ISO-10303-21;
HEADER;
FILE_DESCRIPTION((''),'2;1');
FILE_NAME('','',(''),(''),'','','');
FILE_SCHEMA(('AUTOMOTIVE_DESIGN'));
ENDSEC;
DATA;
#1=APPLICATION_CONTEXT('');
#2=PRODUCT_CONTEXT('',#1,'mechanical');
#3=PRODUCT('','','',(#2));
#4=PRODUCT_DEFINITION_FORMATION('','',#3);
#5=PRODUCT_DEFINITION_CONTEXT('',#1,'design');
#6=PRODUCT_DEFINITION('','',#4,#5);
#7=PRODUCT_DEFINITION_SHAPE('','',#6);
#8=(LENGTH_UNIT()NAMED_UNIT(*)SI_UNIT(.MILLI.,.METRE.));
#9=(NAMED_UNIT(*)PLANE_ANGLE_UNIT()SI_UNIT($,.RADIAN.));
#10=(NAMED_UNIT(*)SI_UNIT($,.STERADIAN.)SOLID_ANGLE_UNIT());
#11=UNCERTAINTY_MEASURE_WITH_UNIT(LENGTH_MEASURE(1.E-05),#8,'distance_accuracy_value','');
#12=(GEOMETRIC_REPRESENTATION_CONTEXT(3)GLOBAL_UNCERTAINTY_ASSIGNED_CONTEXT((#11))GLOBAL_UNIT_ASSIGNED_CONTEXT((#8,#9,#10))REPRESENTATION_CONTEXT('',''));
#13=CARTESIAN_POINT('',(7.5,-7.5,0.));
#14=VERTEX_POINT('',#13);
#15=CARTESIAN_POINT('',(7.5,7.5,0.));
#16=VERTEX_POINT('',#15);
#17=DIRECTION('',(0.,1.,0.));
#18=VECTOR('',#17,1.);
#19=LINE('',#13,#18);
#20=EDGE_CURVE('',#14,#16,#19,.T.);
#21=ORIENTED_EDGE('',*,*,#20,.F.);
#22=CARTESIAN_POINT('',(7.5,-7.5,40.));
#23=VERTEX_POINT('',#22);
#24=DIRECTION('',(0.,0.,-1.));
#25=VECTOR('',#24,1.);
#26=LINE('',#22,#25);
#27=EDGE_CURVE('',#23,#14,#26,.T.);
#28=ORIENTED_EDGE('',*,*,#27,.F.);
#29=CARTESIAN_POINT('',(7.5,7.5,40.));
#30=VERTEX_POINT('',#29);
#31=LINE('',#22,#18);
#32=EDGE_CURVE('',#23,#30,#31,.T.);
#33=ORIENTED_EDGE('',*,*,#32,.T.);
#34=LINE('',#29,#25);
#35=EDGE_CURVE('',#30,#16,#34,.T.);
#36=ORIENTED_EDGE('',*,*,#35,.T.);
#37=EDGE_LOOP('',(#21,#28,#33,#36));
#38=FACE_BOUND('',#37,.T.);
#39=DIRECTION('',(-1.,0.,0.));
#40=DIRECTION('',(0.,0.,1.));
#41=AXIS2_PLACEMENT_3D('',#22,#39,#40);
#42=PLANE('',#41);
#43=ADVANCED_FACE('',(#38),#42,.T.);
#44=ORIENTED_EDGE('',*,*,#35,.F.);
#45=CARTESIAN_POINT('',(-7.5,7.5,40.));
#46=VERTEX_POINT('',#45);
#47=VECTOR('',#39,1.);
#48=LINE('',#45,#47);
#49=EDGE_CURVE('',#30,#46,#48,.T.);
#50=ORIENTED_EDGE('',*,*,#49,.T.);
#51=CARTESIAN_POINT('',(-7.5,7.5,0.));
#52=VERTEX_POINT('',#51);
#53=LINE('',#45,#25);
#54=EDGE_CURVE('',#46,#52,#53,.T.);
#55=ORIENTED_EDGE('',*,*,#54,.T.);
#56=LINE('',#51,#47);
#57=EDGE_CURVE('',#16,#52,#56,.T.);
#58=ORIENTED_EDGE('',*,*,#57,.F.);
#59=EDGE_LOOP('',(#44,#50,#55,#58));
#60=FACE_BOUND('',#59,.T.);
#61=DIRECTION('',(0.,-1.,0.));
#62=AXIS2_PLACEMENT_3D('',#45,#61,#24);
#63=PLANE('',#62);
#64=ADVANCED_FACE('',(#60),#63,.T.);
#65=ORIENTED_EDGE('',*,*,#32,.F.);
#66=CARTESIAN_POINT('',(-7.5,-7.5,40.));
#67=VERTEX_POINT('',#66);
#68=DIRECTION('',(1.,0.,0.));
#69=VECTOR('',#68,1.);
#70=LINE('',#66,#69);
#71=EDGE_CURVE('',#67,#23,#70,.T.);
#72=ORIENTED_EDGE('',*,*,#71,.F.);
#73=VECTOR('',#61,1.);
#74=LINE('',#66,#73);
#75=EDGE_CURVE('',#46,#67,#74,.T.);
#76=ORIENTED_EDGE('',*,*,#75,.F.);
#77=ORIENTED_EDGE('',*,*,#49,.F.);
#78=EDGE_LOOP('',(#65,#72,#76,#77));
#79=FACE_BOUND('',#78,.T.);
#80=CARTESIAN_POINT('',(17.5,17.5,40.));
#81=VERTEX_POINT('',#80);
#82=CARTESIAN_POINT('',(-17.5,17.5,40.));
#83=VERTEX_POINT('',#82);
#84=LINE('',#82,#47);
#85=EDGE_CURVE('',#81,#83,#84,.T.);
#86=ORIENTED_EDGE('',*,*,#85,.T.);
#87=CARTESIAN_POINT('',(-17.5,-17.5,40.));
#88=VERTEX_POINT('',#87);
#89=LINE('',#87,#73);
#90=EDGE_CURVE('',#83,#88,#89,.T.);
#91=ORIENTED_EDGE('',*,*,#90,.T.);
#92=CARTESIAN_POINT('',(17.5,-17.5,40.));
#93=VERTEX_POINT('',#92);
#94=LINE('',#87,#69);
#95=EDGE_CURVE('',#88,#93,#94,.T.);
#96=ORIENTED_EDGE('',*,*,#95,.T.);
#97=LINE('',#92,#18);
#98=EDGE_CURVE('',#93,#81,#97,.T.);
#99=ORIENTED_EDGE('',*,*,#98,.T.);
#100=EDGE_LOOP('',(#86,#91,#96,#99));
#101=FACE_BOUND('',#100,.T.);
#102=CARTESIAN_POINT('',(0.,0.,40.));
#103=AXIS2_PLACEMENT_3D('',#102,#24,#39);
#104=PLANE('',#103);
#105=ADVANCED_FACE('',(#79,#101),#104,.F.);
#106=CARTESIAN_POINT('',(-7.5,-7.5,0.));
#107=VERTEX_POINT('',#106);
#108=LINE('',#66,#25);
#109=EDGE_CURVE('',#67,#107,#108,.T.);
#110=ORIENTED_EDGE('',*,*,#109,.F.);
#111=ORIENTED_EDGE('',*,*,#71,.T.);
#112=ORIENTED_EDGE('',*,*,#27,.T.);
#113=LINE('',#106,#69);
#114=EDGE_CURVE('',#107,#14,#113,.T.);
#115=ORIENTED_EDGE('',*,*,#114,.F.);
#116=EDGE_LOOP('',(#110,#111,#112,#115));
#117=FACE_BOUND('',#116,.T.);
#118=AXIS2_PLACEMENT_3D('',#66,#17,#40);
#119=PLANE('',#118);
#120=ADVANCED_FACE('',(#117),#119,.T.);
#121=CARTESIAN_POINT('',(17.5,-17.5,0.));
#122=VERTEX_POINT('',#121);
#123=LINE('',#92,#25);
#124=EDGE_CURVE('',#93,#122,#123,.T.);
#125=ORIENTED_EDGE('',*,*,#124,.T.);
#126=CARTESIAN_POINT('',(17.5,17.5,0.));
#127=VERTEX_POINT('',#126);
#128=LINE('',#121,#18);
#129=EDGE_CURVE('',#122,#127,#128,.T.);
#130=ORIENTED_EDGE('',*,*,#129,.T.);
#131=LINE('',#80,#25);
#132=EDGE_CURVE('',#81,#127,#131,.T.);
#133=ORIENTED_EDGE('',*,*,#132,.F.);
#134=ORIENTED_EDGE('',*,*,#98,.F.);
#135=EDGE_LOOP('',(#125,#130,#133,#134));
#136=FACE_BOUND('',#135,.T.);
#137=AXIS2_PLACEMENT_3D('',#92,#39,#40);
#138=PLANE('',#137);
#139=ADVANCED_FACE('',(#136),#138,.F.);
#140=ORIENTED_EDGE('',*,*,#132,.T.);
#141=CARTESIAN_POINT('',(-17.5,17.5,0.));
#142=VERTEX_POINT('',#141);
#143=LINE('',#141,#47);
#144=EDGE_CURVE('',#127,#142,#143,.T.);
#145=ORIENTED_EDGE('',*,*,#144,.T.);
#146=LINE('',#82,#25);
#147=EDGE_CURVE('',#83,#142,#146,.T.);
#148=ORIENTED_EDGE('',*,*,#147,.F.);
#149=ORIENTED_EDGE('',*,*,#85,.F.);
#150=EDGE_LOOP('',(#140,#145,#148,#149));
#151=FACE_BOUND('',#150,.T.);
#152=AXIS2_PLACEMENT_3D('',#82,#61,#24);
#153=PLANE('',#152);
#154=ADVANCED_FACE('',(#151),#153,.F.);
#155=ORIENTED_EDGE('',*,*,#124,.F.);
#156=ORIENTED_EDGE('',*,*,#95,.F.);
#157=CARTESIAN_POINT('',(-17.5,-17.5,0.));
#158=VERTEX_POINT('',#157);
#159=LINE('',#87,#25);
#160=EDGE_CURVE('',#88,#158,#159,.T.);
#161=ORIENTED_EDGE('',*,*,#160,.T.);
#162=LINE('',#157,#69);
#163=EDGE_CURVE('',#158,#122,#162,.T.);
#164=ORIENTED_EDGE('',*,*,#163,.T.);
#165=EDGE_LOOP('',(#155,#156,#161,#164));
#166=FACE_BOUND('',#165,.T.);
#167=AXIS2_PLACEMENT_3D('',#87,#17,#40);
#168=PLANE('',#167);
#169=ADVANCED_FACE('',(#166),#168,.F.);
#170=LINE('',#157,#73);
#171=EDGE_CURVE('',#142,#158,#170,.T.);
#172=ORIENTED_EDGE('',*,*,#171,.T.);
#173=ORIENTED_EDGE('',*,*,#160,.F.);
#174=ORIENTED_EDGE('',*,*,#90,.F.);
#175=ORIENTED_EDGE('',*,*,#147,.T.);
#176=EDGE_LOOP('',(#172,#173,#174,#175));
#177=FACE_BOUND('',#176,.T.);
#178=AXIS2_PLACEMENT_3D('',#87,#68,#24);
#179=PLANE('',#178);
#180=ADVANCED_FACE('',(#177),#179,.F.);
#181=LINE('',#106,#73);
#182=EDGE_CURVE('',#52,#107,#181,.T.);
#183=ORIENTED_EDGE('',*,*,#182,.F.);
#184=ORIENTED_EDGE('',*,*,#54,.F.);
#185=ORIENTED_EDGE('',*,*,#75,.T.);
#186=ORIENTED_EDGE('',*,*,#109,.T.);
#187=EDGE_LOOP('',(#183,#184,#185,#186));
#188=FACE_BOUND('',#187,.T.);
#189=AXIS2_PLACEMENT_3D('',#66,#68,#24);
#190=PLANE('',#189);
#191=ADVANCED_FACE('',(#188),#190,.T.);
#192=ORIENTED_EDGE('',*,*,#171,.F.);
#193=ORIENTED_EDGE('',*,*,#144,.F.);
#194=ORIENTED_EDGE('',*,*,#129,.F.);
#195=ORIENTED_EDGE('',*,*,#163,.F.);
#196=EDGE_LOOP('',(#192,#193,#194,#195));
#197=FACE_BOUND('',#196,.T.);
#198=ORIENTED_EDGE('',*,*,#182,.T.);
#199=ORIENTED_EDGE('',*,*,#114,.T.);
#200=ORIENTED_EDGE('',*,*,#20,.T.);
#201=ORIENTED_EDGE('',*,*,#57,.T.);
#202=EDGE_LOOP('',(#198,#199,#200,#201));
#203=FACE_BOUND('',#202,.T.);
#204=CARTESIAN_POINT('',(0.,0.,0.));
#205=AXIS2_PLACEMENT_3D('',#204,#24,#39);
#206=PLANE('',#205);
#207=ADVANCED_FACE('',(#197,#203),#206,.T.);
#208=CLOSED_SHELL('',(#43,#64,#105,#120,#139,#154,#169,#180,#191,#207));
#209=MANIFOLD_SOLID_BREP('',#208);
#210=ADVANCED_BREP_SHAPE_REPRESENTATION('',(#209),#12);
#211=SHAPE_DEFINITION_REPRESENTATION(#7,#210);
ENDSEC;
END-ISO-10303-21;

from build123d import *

# Parameters (mm, degrees)
SKETCH_1_W      = 35
SKETCH_1_H      = 35
SKETCH_1_W_2    = 15
SKETCH_1_H_2    = 15
EXTRUDE_1_DEPTH = 40


with BuildPart() as part:
    # 草图1 → 凸台-拉伸1 (new body)
    with BuildSketch(Plane.XY):
        Rectangle(SKETCH_1_W, SKETCH_1_H)
        Rectangle(SKETCH_1_W_2, SKETCH_1_H_2, mode=Mode.SUBTRACT)
    extrude(amount=EXTRUDE_1_DEPTH)


solid = part.part
